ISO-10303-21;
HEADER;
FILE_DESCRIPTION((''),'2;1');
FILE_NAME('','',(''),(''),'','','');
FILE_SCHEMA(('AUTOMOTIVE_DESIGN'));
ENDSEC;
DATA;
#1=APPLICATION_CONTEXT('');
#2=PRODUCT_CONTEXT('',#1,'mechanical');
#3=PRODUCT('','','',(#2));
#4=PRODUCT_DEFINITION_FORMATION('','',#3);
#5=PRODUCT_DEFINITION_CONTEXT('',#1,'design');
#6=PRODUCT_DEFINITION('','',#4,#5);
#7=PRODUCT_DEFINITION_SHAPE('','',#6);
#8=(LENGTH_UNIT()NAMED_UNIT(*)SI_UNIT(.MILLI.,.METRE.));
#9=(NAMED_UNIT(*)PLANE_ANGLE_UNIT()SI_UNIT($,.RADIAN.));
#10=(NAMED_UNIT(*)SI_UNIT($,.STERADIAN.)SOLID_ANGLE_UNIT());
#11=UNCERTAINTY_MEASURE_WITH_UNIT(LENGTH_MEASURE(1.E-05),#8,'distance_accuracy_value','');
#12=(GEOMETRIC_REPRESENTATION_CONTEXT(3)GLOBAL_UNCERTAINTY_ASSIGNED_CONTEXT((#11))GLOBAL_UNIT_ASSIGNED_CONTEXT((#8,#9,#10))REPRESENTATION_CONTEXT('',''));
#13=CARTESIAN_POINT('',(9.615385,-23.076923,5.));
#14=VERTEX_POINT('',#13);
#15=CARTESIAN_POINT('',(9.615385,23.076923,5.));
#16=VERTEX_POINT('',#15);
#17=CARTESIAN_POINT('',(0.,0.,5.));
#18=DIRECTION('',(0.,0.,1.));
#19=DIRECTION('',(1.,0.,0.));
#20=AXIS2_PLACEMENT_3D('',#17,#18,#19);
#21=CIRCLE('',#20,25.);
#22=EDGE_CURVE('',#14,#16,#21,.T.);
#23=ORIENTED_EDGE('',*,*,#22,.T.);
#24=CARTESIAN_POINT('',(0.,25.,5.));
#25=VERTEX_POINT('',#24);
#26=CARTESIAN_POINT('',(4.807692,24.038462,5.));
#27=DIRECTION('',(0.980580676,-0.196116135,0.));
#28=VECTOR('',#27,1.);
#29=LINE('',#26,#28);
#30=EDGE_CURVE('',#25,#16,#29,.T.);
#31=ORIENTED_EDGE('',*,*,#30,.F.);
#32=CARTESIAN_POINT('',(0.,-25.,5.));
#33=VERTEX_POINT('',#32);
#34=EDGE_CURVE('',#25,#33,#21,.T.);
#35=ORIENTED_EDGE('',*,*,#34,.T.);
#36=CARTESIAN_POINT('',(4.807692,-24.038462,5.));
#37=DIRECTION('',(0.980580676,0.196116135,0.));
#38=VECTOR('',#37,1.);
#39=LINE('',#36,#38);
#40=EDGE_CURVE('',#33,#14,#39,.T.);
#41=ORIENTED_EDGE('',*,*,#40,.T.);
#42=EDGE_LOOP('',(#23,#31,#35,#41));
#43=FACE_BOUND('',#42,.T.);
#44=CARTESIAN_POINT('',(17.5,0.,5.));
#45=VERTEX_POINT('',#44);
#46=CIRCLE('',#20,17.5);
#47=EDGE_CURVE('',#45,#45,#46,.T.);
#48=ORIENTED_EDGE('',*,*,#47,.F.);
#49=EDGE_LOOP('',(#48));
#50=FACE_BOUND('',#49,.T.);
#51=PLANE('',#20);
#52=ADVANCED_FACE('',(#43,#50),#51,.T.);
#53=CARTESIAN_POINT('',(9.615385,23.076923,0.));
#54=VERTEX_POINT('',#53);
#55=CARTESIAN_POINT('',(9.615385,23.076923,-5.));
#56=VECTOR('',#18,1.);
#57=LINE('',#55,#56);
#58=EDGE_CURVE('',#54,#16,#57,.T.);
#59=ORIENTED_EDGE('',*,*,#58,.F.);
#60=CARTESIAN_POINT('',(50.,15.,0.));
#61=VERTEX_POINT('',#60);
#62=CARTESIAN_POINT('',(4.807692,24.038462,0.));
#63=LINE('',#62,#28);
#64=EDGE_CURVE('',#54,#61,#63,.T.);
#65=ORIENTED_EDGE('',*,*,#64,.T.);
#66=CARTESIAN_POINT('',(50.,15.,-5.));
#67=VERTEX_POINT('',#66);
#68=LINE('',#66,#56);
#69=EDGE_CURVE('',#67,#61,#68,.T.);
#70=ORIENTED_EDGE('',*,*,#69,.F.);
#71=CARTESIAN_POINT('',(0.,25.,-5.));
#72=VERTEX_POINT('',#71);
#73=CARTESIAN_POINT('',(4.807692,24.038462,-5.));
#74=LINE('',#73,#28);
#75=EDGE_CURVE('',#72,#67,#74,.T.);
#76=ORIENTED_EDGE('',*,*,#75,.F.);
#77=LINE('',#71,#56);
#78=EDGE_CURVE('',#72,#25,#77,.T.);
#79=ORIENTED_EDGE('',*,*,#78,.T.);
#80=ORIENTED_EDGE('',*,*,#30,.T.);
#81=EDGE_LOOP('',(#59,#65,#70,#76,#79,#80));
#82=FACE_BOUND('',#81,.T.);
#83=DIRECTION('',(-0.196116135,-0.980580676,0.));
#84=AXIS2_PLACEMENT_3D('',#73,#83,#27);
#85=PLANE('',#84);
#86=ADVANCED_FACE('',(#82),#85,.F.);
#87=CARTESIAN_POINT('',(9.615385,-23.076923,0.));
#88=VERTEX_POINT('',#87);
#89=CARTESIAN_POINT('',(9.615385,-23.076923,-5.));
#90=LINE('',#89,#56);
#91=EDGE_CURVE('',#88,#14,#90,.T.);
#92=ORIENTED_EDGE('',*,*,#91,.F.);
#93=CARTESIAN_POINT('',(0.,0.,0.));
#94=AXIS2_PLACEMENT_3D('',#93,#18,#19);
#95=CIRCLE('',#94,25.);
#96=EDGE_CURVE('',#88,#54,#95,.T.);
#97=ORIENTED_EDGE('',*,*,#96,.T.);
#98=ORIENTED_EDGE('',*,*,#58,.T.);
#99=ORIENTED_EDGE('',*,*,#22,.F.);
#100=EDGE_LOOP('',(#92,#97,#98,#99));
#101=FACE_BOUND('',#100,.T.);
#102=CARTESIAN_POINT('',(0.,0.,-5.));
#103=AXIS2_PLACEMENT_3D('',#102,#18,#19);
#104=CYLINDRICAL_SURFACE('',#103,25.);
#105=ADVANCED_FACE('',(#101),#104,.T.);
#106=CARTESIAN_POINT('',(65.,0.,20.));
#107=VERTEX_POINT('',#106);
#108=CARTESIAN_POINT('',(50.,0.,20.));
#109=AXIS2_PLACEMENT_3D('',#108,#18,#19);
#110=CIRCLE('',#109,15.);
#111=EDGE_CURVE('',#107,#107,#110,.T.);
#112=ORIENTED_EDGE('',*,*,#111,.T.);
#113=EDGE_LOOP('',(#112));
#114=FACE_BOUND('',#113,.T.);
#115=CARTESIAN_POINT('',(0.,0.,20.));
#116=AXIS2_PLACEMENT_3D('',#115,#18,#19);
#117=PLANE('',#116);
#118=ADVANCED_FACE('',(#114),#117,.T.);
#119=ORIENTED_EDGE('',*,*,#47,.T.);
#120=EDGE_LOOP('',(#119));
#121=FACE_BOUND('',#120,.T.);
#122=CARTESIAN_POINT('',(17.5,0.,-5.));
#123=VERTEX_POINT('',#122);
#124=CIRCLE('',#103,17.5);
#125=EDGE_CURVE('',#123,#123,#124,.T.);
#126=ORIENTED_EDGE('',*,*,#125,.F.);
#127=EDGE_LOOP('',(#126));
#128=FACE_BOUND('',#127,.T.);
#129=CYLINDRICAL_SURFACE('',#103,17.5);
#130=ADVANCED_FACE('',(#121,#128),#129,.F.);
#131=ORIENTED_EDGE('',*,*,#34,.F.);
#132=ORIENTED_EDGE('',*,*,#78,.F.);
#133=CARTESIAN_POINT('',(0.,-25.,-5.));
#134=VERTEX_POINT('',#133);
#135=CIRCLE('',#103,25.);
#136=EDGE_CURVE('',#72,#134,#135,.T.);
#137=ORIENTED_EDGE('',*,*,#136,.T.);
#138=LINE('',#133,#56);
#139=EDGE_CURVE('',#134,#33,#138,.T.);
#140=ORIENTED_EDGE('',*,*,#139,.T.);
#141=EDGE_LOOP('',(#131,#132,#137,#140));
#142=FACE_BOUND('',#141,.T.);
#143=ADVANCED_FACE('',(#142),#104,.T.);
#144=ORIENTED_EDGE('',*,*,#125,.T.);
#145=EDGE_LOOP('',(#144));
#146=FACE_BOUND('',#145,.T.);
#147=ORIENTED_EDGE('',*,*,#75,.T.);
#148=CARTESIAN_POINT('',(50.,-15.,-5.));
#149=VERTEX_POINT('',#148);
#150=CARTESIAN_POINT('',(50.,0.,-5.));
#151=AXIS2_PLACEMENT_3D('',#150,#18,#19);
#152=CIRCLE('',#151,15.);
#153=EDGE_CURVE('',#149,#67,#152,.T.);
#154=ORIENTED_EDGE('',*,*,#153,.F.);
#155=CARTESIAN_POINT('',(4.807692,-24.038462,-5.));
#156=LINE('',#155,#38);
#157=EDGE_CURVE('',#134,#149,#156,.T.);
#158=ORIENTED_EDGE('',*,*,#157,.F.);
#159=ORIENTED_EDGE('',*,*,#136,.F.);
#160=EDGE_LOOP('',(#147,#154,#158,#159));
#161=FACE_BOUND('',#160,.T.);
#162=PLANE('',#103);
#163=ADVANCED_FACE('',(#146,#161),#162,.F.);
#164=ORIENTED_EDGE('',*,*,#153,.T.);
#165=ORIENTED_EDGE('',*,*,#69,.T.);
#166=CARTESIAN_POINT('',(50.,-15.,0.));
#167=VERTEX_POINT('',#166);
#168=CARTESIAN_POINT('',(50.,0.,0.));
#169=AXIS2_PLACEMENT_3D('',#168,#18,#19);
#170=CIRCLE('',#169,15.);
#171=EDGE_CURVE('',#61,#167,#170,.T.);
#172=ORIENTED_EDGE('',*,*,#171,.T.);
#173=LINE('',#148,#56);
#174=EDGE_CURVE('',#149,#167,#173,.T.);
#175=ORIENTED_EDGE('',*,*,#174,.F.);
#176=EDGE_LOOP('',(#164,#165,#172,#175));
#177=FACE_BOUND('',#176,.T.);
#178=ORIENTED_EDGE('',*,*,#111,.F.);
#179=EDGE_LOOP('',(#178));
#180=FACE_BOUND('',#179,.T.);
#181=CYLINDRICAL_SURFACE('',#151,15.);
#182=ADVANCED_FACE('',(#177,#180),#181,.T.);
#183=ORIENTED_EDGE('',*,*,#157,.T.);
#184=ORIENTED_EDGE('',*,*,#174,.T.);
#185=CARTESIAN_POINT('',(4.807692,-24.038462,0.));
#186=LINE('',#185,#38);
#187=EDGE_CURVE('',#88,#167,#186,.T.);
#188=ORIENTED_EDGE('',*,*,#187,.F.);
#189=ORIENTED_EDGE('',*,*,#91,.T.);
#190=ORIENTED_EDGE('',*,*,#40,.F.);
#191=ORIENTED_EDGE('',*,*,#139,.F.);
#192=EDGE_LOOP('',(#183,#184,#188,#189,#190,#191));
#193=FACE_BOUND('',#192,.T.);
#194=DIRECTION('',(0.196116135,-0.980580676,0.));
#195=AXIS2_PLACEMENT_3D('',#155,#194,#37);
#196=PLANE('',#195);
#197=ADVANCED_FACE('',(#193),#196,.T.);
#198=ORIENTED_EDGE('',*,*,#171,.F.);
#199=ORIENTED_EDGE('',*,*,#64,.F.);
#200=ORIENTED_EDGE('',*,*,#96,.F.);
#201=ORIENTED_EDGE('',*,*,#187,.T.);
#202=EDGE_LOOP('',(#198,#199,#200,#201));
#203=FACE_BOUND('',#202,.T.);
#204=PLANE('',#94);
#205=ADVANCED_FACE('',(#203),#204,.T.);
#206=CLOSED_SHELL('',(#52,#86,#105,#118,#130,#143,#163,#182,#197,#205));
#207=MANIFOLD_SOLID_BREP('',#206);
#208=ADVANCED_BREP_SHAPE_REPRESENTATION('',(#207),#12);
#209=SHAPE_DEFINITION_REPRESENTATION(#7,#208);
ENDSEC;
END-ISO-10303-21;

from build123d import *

# Parameters (mm, degrees)
BOSS_EXTRUDE1_DEPTH      = 5
SKETCH1_3_R              = 15
BOSS_EXTRUDE2_DEPTH      = 20
BOSS_EXTRUDE2_DEPTH_BACK = 5
SKETCH1_4_R              = 17.5
BOSS_EXTRUDE3_DEPTH      = 5
BOSS_EXTRUDE3_DEPTH_BACK = 5


with BuildPart() as part:
    # Sketch1 → Boss-Extrude1 (new body)
    with BuildSketch(Plane.XY):
        with BuildLine():
            Line((50, 15), (9.615384615, 23.076923077))
            ThreePointArc((9.615384615, 23.076923077), (20.801257358, 13.867504906), (25, 0))
            ThreePointArc((25, 0), (20.801257358, -13.867504906), (9.615384615, -23.076923077))
            Line((9.615384615, -23.076923077), (50, -15))
            ThreePointArc((50, -15), (35, 0), (50, 15))
        make_face()
    extrude(amount=-BOSS_EXTRUDE1_DEPTH)

    # Sketch1_3 → Boss-Extrude2 (add, two sides)
    with BuildSketch(Plane.XY) as boss_extrude2_sk:
        with Locations((50, 0)):
            Circle(SKETCH1_3_R)
    extrude(amount=BOSS_EXTRUDE2_DEPTH)
    extrude(boss_extrude2_sk.sketch, amount=-BOSS_EXTRUDE2_DEPTH_BACK)

    # Sketch1_4 → Boss-Extrude3 (add, two sides)
    with BuildSketch(Plane.XY) as boss_extrude3_sk:
        with BuildLine():
            Line((9.615384615, 23.076923077), (0, 25))
            ThreePointArc((0, 25), (-25, 0), (0, -25))
            Line((0, -25), (9.615384615, -23.076923077))
            ThreePointArc((9.615384615, -23.076923077), (20.801257358, -13.867504906), (25, 0))
            ThreePointArc((25, 0), (20.801257358, 13.867504906), (9.615384615, 23.076923077))
        make_face()
        Circle(SKETCH1_4_R, mode=Mode.SUBTRACT)
    extrude(amount=BOSS_EXTRUDE3_DEPTH)
    extrude(boss_extrude3_sk.sketch, amount=-BOSS_EXTRUDE3_DEPTH_BACK)


solid = part.part
